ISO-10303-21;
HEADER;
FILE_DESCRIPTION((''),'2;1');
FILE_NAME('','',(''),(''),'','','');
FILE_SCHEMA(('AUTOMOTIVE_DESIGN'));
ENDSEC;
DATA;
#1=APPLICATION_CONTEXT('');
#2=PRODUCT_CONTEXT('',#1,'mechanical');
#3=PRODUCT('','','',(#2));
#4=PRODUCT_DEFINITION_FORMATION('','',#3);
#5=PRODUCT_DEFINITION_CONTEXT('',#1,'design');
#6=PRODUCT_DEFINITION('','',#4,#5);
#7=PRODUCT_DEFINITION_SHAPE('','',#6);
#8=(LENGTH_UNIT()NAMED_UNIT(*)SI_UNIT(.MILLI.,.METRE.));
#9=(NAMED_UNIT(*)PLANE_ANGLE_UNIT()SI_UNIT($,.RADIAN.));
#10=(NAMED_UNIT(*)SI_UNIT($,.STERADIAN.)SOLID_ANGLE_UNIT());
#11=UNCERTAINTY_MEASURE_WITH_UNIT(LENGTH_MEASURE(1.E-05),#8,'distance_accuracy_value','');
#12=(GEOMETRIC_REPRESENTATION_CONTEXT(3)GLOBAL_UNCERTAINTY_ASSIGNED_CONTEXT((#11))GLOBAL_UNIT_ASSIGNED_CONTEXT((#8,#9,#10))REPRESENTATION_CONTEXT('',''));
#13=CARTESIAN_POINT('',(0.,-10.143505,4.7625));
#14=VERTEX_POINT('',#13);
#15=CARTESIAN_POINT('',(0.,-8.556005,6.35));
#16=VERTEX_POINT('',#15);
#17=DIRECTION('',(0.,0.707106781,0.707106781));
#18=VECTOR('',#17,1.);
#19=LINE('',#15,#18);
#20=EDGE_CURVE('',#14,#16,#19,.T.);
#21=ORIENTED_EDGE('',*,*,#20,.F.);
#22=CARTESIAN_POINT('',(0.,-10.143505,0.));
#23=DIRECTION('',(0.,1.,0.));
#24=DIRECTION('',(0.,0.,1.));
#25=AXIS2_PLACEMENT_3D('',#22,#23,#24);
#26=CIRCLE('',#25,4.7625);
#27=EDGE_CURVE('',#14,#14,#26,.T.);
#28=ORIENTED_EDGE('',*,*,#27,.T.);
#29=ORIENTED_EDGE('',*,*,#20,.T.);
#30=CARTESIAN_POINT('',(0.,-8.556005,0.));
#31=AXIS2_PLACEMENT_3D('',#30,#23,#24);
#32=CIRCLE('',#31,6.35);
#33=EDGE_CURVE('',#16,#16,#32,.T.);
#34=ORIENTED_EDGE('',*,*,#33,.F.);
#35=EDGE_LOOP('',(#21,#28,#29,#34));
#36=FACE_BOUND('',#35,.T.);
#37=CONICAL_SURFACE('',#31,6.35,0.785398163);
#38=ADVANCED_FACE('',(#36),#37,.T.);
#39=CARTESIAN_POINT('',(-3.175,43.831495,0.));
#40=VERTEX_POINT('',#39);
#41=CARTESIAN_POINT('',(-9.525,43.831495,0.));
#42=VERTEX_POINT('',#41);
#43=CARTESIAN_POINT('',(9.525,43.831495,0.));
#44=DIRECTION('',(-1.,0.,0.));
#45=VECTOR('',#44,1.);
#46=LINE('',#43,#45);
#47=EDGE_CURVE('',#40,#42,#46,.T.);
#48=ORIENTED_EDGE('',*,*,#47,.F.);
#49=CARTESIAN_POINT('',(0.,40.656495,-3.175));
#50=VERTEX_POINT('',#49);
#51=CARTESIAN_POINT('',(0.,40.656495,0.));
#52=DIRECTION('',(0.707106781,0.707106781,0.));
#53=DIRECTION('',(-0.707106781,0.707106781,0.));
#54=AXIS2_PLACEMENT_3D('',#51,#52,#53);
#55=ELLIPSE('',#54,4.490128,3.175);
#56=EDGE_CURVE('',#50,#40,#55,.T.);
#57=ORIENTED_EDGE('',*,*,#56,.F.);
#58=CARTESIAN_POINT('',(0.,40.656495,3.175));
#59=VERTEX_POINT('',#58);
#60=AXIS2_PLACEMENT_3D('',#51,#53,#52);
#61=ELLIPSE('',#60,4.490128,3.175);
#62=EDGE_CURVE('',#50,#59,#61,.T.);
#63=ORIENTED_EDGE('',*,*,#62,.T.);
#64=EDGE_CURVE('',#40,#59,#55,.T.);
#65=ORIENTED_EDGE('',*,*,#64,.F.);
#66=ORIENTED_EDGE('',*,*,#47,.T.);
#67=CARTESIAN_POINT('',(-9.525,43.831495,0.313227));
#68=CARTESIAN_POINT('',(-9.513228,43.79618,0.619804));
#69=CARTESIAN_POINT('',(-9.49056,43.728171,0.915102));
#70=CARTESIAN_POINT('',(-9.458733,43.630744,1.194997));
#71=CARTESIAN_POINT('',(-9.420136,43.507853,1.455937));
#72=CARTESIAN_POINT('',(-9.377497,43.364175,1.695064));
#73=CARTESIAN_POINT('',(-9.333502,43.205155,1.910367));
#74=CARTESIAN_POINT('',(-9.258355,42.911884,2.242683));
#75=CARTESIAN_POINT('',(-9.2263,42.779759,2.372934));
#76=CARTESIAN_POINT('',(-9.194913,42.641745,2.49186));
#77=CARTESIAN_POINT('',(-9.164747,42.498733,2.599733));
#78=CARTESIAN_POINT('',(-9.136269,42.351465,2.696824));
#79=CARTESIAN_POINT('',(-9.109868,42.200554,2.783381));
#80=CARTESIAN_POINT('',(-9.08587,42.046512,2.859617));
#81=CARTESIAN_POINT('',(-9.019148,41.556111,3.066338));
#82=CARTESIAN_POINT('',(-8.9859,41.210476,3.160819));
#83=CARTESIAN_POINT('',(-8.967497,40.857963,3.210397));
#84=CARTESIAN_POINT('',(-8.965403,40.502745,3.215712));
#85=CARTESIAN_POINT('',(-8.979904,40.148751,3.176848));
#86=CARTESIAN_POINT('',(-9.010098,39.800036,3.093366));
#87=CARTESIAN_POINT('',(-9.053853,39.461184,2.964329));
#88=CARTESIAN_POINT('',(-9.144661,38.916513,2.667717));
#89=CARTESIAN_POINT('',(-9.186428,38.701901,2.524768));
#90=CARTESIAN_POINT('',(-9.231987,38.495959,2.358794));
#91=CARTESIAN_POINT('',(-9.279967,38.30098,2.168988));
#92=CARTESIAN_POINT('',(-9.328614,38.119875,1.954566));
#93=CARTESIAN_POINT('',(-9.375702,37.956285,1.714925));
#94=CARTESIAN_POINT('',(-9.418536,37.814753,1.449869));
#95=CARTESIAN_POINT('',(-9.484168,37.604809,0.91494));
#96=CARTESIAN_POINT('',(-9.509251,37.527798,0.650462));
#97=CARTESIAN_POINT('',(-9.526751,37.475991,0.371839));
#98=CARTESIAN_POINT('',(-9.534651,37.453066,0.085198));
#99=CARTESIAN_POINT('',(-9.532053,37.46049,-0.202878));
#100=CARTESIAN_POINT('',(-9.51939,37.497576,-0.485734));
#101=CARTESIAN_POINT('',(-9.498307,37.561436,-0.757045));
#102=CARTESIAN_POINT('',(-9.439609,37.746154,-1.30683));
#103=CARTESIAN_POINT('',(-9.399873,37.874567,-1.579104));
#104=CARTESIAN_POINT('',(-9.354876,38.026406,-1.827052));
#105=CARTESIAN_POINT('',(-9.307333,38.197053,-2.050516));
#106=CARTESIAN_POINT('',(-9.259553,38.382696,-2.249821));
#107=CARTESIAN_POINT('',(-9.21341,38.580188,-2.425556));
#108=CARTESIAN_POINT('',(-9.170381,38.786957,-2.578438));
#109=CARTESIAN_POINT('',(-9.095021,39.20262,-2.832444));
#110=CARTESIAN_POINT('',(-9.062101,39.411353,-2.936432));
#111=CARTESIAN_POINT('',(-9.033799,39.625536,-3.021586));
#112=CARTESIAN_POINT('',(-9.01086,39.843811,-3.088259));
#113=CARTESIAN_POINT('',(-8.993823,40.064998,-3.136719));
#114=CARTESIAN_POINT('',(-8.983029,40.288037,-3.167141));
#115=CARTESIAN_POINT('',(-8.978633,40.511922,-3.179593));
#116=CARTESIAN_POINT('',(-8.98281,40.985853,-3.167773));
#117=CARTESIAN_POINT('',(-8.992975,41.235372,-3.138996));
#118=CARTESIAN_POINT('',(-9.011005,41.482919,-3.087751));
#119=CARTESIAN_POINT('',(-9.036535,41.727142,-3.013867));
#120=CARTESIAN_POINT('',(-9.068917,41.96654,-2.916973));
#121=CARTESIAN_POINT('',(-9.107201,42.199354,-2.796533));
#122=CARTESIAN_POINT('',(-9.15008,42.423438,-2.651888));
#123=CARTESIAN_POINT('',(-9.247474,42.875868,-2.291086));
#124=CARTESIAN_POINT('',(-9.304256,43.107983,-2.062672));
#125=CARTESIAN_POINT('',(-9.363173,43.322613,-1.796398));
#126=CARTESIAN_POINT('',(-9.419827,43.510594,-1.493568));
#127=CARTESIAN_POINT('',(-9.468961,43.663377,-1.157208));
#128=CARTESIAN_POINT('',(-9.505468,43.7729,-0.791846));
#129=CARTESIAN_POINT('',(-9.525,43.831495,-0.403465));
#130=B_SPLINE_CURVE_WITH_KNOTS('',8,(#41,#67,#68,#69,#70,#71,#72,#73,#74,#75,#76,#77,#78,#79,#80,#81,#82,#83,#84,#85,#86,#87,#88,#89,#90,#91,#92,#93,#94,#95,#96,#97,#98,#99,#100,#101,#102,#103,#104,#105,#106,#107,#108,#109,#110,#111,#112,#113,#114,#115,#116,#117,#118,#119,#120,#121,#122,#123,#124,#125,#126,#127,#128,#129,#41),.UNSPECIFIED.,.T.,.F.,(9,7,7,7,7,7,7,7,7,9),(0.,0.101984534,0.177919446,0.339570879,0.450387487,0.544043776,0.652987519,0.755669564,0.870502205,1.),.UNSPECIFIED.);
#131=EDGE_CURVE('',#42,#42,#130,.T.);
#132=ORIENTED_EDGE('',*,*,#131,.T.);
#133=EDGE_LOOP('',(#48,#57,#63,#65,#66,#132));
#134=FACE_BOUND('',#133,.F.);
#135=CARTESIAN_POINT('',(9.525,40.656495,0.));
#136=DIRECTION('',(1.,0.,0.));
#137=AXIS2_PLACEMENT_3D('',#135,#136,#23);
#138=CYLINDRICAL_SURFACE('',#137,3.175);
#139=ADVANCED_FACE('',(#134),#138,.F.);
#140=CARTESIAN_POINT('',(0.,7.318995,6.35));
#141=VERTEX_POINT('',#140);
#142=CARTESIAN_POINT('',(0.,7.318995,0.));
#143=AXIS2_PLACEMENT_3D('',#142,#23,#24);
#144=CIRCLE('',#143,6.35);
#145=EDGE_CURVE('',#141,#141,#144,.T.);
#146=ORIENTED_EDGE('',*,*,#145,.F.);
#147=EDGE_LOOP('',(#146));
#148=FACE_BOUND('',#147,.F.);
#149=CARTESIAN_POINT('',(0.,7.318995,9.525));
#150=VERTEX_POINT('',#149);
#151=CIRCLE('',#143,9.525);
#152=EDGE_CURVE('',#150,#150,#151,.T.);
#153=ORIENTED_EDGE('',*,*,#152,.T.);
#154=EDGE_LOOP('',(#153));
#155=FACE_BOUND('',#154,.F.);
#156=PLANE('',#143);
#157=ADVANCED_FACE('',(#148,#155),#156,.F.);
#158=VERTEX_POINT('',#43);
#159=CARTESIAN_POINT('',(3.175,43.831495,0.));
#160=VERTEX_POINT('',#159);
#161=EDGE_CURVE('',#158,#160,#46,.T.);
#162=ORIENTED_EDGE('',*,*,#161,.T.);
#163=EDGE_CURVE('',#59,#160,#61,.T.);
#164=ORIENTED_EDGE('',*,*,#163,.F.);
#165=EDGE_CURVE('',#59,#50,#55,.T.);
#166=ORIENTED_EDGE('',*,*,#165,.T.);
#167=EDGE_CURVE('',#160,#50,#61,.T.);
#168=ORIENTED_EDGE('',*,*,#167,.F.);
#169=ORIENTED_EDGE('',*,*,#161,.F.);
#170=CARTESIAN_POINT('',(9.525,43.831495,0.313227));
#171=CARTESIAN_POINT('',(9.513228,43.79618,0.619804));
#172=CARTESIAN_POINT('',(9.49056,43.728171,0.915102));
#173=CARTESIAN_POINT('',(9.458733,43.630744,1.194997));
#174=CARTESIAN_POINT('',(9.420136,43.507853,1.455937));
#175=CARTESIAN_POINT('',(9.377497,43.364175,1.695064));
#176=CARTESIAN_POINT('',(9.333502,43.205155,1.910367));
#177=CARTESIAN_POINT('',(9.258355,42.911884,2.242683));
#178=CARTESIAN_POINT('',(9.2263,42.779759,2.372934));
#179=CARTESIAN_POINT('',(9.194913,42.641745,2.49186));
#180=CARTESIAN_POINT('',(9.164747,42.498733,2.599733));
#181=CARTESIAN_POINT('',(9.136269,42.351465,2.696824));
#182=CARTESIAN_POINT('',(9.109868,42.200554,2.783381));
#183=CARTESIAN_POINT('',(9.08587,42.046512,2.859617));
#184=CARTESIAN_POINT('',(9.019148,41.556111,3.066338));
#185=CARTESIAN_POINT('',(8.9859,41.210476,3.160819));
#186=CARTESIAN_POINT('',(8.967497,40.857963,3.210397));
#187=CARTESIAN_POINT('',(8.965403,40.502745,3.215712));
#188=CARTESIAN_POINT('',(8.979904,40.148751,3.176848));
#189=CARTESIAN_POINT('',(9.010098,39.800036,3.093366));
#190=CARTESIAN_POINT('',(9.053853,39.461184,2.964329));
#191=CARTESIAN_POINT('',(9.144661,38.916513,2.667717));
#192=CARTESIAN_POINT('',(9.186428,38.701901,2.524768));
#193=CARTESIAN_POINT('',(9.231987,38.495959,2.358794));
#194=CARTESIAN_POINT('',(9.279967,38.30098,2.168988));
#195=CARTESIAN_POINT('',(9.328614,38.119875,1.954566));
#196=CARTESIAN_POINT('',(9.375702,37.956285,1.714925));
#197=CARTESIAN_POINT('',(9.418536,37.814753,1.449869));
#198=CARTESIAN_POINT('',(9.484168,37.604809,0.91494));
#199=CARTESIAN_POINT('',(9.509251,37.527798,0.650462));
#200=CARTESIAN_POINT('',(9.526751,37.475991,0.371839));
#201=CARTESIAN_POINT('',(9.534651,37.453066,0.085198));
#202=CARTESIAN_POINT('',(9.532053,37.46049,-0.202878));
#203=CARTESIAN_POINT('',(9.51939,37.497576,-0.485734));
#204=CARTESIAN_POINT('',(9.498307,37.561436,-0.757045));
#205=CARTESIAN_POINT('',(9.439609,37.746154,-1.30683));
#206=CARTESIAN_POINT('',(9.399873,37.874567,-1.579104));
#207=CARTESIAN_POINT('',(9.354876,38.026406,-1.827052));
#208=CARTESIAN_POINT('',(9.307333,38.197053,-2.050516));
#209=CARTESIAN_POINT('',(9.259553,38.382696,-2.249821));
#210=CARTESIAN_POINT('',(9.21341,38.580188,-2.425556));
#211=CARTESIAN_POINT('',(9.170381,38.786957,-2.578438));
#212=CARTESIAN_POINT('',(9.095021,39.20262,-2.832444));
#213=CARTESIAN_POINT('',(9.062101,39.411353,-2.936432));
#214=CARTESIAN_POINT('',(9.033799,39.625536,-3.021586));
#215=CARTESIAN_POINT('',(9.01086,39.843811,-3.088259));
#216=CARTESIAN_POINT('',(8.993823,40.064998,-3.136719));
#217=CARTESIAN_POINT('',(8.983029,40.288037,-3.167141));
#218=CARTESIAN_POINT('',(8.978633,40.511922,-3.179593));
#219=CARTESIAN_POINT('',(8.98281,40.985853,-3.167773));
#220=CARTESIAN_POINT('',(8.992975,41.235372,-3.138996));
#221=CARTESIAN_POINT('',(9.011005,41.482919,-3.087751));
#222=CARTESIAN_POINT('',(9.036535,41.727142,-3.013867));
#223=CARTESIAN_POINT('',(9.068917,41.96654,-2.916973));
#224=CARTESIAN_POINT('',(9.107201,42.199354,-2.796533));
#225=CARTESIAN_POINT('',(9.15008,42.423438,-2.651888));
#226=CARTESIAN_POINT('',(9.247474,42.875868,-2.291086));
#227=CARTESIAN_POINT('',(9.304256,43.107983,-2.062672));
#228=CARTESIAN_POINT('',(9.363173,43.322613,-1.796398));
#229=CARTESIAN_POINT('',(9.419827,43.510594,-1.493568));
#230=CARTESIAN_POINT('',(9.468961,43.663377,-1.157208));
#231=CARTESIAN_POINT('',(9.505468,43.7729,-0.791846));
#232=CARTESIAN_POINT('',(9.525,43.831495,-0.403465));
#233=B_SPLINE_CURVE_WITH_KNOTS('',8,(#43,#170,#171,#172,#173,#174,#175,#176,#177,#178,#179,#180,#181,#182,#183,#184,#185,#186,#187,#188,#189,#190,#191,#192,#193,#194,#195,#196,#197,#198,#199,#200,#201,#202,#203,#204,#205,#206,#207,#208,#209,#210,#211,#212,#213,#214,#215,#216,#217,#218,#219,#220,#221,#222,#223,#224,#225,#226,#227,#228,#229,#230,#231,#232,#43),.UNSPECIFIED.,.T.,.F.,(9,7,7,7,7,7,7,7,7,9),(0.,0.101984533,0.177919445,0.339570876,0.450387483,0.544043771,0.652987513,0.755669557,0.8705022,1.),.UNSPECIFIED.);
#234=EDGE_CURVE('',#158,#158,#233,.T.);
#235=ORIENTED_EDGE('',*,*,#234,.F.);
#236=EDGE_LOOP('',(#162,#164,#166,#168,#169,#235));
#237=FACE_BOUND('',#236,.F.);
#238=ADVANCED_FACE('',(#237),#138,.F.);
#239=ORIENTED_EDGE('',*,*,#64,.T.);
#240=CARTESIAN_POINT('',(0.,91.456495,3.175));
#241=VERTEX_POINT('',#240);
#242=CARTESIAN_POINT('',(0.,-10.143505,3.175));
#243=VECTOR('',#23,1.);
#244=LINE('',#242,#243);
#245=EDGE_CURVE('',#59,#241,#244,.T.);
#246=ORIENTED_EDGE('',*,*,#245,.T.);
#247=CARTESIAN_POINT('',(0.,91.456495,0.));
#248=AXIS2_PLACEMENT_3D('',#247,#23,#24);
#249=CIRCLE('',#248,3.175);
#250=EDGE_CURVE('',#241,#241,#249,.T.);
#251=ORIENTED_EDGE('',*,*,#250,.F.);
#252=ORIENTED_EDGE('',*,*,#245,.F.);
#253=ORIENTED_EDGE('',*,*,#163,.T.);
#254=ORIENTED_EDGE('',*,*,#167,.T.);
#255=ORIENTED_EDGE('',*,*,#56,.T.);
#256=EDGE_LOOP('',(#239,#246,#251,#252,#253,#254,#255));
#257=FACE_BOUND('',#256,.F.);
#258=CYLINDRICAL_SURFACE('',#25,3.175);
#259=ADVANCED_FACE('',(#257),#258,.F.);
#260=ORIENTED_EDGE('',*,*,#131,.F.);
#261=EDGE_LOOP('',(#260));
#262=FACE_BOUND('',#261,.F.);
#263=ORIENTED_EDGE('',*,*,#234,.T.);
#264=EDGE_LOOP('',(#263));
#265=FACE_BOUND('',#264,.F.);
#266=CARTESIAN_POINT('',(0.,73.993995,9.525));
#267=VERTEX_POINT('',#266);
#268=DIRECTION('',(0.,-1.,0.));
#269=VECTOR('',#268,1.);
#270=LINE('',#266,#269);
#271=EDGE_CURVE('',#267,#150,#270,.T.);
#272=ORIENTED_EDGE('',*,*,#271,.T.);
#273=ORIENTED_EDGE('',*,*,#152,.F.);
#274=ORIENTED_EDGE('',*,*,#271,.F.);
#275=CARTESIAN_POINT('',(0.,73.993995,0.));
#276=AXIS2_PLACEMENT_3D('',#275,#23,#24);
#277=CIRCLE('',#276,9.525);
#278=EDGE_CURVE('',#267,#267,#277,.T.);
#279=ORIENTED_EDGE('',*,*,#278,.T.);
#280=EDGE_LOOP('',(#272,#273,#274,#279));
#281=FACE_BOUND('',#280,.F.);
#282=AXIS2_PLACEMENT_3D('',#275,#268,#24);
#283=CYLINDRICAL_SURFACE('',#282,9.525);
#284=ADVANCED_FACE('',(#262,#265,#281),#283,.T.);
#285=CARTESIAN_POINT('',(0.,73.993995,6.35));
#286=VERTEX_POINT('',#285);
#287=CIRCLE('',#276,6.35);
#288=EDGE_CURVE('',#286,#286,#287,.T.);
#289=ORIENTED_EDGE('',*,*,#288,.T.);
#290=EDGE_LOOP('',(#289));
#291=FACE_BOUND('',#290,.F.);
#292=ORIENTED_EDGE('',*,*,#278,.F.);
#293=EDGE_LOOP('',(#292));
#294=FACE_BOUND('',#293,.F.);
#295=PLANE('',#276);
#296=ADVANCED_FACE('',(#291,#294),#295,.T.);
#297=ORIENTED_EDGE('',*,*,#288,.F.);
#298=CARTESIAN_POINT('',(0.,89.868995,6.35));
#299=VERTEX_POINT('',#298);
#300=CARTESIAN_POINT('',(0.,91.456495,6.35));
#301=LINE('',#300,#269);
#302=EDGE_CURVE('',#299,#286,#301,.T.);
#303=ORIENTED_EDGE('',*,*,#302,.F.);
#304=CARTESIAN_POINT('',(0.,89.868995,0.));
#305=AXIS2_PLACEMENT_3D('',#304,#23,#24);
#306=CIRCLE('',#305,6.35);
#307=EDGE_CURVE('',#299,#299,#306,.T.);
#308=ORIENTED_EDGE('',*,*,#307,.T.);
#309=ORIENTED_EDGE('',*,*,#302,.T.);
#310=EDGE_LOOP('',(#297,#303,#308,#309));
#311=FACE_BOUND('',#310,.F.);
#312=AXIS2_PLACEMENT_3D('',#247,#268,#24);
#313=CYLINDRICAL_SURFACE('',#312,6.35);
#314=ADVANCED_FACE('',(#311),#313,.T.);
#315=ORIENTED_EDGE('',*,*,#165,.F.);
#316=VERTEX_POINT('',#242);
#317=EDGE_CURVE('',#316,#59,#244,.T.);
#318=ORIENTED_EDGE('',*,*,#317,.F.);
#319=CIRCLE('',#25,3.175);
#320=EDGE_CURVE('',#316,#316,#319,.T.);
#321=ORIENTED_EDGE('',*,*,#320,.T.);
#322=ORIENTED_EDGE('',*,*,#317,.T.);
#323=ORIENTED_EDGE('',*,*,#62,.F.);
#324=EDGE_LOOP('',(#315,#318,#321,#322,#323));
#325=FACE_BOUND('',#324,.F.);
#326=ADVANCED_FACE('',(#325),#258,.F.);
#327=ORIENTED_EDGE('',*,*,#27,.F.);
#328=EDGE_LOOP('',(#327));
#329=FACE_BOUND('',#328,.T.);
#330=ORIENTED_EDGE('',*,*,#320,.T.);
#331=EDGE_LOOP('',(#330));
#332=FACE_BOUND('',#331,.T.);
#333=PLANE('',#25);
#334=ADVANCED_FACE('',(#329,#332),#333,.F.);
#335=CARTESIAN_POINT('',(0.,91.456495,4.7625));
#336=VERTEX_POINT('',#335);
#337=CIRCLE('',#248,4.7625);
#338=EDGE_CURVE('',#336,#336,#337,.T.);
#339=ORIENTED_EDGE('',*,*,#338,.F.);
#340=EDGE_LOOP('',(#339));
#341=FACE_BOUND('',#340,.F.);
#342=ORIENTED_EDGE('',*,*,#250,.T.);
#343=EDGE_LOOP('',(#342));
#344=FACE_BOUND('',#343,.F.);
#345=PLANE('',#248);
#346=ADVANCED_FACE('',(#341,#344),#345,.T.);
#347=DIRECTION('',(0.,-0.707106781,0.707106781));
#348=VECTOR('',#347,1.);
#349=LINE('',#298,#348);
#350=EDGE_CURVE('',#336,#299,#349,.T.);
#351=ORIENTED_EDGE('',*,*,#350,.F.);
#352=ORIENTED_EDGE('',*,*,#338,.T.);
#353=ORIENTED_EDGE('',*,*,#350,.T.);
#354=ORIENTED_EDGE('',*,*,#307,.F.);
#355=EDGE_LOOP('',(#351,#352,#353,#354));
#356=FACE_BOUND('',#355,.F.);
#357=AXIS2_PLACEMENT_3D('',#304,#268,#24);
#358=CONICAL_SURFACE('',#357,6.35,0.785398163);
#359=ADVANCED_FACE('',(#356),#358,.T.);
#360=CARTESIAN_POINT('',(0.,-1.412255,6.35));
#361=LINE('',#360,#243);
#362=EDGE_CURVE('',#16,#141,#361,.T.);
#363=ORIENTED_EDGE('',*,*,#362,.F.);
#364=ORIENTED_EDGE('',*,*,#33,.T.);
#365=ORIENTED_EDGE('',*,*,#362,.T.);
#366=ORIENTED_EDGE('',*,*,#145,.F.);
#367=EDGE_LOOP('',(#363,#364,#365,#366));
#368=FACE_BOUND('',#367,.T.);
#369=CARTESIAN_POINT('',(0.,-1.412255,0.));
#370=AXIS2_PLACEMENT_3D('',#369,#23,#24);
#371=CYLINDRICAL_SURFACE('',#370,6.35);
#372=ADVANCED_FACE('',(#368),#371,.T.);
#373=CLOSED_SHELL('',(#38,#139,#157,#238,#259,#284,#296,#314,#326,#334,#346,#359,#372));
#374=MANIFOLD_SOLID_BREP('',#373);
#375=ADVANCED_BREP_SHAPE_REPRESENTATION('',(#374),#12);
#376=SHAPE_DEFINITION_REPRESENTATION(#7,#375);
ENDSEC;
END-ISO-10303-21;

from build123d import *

# Parameters (mm, degrees)
F0_W     = 17.4625
F0_H     = 3.175
F2_W     = 13.680584
F2_H     = 12.9563
F3_DEPTH = 0.014764
F4_R     = 3.175
F5_DEPTH = 25.4
F6_SIZE2 = 1.5875
F6_SIZE  = 1.5875


with BuildPart() as f1:
    # F0 (on Right) → F1 (revolve)
    with BuildSketch(Plane.YZ):
        with Locations((-1.412255, 4.7625)):
            Rectangle(F0_W, F0_H)
        Polygon((7.318995, 6.35), (7.318995, 3.175), (47.006495, 3.175), (91.456495, 3.175), (91.456495, 6.35), (73.993995, 6.35), (73.993995, 9.525), (7.318995, 9.525), align=None)
    revolve(axis=Axis((0, 40.656495, 0), (0, 1, 0)))

    # F4 (on face) → F5 (cut)
    with BuildSketch(Plane.YZ.offset(9.525)):
        with Locations((40.656495, 0)):
            Circle(F4_R)
    extrude(amount=-F5_DEPTH, mode=Mode.SUBTRACT)

    # F6
    f6_edges = [f1.edges().sort_by_distance(p)[0] for p in [
        (0, -10.143505, -6.35),
        (0, 91.456495, -6.35),
    ]]
    chamfer(f6_edges, length=F6_SIZE, length2=F6_SIZE2)


with BuildPart() as f3:
    # F2 (on Right) → F3 (new body)
    with BuildSketch(Plane.YZ):
        with Locations((-37.624579, 0)):
            Rectangle(F2_W, F2_H)
    extrude(amount=F3_DEPTH)


solid = f1.part
